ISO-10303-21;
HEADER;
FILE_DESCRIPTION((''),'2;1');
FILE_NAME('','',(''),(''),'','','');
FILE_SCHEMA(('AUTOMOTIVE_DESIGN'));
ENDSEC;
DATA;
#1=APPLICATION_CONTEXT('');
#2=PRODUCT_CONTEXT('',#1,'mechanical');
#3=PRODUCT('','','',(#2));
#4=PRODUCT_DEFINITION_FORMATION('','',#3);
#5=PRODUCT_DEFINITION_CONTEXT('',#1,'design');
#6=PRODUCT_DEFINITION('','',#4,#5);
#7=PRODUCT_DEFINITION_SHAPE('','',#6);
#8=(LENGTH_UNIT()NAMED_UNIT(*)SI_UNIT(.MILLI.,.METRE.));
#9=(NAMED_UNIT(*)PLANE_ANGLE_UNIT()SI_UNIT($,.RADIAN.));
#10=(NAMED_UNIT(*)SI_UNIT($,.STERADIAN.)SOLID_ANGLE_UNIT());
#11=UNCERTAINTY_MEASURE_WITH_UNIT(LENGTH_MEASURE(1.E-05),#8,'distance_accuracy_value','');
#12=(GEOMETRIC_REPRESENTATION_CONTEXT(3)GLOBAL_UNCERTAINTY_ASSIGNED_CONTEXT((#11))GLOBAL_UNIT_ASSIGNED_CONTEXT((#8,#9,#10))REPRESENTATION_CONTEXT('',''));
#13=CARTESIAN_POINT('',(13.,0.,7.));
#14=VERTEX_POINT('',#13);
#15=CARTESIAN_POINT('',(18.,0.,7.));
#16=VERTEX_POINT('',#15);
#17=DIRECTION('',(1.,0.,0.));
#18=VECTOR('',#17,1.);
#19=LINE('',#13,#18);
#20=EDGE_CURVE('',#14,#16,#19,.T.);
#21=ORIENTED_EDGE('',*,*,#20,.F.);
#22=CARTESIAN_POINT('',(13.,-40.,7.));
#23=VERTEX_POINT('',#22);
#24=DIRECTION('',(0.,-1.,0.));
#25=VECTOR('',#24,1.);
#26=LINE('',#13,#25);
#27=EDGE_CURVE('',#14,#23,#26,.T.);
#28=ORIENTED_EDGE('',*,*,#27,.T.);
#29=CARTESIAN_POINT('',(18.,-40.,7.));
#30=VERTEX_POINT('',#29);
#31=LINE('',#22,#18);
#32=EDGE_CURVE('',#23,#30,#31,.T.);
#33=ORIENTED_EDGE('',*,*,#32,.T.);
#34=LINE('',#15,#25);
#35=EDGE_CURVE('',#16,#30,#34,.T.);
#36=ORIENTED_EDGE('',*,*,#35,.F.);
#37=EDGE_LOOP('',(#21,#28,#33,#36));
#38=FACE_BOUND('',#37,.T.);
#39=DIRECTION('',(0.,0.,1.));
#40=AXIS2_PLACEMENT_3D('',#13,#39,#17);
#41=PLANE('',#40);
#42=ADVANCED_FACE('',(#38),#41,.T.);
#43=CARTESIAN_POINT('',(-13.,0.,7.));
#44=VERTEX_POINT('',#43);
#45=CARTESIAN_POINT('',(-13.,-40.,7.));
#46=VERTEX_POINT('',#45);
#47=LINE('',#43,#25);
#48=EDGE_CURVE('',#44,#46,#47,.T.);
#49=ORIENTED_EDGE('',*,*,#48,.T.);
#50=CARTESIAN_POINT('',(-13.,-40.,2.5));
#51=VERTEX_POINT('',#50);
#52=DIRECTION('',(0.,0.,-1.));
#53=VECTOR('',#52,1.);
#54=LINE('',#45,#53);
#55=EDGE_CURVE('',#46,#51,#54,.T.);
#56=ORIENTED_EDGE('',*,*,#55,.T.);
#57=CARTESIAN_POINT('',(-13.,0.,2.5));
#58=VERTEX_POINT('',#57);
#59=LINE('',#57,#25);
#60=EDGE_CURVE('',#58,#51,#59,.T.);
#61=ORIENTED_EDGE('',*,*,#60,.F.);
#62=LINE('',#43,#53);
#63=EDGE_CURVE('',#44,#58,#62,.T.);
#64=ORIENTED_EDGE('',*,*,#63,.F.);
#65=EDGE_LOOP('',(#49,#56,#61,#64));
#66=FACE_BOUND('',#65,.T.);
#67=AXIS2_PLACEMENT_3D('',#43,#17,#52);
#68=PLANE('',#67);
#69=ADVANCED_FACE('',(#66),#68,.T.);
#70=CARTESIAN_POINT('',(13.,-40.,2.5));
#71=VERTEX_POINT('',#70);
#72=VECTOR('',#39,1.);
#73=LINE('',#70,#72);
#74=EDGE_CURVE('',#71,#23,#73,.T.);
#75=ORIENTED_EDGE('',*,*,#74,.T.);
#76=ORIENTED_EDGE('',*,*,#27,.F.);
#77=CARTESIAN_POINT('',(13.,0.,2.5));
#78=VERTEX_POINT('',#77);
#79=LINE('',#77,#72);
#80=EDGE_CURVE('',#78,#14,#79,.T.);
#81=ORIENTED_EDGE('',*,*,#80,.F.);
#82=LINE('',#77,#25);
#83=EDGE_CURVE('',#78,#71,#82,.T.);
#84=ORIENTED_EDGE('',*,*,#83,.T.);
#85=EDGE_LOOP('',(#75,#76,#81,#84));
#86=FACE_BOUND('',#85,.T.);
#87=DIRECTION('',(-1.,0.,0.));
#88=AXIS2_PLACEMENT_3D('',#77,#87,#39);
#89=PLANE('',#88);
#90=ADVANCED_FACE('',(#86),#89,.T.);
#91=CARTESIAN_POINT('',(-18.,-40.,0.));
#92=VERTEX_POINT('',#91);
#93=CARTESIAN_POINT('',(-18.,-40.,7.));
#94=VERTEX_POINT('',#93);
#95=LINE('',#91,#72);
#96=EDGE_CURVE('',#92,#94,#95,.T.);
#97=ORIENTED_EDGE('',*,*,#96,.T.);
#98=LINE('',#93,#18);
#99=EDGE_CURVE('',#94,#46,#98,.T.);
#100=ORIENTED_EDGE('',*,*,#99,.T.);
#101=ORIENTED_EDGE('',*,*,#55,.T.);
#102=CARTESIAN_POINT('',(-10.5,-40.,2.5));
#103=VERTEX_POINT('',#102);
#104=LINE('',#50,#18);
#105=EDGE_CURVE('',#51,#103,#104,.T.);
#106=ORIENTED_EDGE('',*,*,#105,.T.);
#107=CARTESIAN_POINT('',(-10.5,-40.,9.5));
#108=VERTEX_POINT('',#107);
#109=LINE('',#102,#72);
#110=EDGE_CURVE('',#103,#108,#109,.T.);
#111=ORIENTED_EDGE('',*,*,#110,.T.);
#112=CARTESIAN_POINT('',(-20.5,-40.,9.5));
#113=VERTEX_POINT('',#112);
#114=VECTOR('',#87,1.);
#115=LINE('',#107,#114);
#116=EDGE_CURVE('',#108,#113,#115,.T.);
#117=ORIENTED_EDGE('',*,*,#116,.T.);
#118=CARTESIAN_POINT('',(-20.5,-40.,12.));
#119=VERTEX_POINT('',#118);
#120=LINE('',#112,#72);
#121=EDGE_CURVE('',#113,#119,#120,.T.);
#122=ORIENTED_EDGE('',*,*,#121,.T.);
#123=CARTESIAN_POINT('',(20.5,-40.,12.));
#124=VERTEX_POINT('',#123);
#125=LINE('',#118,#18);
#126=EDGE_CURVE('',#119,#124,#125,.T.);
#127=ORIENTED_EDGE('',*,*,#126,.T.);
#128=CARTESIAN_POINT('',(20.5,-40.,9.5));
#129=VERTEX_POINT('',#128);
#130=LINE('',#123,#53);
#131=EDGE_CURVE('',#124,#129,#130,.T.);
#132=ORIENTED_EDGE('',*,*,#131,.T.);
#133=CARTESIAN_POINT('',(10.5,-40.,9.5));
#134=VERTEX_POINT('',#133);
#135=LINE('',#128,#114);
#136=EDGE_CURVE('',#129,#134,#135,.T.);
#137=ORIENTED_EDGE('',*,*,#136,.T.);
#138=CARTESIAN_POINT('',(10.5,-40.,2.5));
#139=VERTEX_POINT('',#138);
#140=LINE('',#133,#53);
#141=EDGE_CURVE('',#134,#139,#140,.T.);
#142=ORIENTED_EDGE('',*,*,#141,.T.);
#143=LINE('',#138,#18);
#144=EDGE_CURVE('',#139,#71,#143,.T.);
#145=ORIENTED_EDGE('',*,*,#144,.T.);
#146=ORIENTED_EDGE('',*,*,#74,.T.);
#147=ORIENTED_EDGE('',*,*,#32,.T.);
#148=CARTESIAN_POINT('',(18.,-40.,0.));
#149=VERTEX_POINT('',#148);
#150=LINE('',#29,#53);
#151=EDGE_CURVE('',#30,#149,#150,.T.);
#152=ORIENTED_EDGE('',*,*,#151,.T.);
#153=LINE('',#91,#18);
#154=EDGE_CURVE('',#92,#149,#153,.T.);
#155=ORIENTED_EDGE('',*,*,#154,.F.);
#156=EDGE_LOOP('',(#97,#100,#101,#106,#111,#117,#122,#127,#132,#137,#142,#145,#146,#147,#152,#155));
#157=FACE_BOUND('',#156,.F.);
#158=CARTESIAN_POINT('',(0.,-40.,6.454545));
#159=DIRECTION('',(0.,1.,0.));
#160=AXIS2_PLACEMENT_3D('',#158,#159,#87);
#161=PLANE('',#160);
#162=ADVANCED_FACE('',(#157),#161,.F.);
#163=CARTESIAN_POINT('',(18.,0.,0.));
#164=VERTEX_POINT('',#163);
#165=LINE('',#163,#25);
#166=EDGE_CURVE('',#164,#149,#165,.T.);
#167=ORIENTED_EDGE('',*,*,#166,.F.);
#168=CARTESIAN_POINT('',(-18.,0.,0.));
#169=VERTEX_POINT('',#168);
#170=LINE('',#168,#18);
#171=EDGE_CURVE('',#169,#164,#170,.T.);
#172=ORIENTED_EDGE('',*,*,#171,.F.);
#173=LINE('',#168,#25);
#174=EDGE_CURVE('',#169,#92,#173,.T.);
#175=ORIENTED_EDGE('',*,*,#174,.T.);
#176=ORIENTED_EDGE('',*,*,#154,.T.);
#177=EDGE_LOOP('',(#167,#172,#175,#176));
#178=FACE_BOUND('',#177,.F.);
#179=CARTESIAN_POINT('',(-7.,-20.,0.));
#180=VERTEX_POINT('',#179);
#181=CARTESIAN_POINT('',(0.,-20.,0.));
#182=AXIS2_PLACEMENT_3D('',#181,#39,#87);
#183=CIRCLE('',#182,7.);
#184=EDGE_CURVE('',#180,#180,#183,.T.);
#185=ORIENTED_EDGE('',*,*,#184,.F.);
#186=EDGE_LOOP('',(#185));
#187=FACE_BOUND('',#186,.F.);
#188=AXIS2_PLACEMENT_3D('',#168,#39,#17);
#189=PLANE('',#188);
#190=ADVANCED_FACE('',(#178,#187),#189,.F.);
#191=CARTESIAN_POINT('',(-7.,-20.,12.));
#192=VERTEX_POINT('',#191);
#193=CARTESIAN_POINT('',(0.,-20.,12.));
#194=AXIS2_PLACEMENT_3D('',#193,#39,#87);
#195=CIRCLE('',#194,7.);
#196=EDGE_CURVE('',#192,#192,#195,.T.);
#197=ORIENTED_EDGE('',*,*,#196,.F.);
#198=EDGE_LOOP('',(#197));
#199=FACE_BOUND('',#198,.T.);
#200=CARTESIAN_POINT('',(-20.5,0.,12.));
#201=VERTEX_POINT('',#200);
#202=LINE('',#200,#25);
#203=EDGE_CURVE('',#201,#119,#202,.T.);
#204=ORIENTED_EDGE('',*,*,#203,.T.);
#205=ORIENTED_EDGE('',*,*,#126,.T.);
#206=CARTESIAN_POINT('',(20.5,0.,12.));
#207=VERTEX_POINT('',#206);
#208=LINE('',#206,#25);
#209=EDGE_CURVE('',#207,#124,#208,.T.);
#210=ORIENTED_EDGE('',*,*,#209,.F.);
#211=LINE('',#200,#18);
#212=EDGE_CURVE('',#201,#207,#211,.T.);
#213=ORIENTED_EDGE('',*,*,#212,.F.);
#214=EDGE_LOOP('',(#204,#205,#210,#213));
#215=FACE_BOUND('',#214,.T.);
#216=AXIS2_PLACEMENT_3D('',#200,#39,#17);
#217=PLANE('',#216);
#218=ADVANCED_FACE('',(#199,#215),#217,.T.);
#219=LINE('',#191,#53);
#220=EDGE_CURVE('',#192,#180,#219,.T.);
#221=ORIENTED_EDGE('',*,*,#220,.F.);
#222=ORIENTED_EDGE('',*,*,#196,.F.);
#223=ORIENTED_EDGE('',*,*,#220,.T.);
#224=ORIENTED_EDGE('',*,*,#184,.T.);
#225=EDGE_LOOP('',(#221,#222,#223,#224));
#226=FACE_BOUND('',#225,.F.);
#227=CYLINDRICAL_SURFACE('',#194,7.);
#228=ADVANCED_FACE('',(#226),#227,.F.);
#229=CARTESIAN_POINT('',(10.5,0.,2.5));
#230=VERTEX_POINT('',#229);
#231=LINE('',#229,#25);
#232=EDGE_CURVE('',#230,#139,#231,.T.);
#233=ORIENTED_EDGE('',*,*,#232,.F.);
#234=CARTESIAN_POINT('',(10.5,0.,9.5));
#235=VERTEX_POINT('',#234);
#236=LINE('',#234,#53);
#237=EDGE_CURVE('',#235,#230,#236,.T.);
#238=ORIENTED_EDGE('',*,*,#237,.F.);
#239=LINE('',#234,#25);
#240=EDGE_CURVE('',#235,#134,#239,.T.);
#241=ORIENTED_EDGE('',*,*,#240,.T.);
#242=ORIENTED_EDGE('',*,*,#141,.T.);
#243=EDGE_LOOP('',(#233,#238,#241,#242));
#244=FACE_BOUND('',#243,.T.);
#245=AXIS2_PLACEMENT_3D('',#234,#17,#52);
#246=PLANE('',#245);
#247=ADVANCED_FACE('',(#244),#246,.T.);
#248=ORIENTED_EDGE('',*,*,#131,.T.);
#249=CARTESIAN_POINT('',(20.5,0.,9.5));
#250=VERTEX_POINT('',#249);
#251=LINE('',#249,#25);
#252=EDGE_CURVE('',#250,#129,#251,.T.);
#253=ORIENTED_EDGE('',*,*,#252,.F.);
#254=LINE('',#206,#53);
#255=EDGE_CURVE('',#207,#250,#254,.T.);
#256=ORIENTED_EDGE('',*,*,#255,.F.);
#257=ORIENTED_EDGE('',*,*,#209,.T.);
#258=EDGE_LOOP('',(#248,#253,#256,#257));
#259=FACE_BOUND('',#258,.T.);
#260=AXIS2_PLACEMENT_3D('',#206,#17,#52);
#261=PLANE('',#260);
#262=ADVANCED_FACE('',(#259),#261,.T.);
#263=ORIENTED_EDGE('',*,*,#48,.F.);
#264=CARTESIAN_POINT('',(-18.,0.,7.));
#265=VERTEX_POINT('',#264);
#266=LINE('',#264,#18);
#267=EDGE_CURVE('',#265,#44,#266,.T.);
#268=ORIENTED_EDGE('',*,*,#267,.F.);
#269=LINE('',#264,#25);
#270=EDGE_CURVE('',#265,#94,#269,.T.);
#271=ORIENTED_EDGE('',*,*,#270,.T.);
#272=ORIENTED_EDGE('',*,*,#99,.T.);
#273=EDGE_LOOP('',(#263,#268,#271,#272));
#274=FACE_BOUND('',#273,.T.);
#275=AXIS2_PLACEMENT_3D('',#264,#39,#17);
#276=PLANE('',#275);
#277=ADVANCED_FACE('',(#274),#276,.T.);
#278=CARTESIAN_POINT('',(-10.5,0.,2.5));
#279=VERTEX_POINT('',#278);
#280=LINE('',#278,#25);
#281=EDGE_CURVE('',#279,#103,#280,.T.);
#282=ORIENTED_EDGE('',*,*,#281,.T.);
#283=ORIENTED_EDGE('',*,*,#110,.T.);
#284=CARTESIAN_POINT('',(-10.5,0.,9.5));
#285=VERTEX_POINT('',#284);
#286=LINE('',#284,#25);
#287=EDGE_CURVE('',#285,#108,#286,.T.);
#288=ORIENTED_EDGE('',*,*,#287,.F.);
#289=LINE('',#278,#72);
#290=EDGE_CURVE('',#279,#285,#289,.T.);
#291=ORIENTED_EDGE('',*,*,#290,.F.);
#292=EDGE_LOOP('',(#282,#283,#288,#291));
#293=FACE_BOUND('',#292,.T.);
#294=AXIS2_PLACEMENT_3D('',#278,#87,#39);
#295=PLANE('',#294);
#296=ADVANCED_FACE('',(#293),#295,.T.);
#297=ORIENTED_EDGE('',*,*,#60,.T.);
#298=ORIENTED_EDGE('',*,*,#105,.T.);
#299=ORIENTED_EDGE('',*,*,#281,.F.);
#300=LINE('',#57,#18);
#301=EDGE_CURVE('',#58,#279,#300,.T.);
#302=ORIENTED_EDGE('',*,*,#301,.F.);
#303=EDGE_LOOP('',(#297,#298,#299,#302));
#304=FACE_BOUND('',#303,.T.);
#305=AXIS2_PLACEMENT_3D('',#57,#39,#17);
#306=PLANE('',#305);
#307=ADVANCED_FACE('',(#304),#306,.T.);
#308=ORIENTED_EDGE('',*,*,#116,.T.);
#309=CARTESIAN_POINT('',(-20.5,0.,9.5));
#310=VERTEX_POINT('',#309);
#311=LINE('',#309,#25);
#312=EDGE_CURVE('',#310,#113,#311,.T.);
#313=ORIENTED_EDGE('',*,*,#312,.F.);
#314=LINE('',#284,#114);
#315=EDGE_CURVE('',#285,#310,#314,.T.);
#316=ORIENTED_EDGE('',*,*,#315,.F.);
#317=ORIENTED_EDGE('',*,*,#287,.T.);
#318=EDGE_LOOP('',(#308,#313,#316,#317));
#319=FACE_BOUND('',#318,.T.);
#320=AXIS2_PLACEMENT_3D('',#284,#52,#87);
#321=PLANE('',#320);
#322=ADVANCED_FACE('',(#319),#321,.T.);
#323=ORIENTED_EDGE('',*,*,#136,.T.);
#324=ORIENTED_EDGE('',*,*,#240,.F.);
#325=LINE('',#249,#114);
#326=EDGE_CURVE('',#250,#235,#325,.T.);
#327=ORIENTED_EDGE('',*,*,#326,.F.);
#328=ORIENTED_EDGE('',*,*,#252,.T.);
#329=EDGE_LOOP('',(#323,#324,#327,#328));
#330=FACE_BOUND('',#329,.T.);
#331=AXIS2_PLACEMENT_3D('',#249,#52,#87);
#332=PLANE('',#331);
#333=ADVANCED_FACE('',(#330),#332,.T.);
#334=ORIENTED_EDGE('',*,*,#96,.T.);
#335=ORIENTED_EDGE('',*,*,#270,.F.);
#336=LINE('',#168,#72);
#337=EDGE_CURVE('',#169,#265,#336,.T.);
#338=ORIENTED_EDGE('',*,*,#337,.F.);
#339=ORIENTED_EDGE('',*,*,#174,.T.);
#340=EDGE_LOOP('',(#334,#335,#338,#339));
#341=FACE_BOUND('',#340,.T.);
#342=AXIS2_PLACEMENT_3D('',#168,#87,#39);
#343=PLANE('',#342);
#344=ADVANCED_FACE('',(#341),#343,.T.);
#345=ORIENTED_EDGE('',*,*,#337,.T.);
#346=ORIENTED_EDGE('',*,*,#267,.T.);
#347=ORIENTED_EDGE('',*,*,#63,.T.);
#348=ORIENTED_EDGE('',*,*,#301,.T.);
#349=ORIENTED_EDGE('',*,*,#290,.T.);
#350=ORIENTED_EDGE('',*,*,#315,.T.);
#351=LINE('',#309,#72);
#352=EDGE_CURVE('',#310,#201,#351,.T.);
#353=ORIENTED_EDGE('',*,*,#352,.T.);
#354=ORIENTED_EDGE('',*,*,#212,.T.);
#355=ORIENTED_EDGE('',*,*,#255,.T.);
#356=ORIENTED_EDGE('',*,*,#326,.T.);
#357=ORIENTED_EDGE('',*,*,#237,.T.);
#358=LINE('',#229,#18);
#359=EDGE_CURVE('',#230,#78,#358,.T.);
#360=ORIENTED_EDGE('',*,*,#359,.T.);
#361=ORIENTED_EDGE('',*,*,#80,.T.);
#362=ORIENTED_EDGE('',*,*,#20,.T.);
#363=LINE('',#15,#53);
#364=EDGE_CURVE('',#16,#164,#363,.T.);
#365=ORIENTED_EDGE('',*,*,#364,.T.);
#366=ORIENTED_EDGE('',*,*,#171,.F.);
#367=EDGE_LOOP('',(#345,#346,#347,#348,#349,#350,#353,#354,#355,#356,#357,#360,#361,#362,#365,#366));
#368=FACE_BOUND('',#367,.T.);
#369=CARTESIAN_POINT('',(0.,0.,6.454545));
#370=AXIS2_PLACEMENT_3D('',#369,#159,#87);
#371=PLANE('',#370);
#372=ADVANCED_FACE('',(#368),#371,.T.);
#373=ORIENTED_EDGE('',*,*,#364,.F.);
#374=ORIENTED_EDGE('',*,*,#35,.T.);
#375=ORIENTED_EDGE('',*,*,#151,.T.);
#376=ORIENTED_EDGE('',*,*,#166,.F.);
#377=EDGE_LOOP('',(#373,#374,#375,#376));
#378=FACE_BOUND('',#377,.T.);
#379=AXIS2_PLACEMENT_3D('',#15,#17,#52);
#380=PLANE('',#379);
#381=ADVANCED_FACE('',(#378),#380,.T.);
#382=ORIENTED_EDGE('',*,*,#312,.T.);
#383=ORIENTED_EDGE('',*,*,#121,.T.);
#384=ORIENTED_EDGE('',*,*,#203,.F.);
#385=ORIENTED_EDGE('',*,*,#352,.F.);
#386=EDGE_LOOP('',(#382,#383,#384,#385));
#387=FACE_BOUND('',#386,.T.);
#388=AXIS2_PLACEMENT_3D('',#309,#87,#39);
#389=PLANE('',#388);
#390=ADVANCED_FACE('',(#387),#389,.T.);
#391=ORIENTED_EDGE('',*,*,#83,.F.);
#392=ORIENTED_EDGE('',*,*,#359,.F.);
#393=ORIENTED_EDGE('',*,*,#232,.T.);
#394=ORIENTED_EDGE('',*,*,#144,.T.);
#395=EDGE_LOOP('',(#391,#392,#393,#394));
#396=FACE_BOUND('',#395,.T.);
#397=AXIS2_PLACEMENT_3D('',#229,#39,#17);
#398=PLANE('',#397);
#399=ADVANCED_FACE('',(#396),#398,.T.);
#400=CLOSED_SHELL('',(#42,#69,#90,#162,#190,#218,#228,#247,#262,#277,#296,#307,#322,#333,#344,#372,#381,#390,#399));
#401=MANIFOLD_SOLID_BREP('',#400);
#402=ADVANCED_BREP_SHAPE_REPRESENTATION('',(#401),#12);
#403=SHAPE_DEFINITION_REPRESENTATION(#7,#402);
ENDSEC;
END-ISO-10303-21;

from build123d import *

# Parameters (mm, degrees)
PAD_DEPTH   = 40
SKETCH001_R = 7
HOLE_DEPTH  = 12.001


with BuildPart() as part:
    # Sketch → Pad (new body)
    with BuildSketch(Plane.XZ):
        Polygon((0, 0), (-18, 0), (-18, 7), (-13, 7), (-13, 2.5), (-10.5, 2.5), (-10.5, 9.5), (-20.5, 9.5), (-20.5, 12), (20.5, 12), (20.5, 9.5), (10.5, 9.5), (10.5, 2.5), (13, 2.5), (13, 7), (18, 7), (18, 0), align=None)
    extrude(amount=PAD_DEPTH)

    # Sketch001 (on Face9 of Pad) → Hole (cut, through all)
    with BuildSketch(Plane(origin=(0, 0, 12), x_dir=(-1, 0, 0), z_dir=(0, 0, 1))):
        with Locations((0, 20)):
            Circle(SKETCH001_R)
    extrude(amount=-HOLE_DEPTH, mode=Mode.SUBTRACT)


solid = part.part
